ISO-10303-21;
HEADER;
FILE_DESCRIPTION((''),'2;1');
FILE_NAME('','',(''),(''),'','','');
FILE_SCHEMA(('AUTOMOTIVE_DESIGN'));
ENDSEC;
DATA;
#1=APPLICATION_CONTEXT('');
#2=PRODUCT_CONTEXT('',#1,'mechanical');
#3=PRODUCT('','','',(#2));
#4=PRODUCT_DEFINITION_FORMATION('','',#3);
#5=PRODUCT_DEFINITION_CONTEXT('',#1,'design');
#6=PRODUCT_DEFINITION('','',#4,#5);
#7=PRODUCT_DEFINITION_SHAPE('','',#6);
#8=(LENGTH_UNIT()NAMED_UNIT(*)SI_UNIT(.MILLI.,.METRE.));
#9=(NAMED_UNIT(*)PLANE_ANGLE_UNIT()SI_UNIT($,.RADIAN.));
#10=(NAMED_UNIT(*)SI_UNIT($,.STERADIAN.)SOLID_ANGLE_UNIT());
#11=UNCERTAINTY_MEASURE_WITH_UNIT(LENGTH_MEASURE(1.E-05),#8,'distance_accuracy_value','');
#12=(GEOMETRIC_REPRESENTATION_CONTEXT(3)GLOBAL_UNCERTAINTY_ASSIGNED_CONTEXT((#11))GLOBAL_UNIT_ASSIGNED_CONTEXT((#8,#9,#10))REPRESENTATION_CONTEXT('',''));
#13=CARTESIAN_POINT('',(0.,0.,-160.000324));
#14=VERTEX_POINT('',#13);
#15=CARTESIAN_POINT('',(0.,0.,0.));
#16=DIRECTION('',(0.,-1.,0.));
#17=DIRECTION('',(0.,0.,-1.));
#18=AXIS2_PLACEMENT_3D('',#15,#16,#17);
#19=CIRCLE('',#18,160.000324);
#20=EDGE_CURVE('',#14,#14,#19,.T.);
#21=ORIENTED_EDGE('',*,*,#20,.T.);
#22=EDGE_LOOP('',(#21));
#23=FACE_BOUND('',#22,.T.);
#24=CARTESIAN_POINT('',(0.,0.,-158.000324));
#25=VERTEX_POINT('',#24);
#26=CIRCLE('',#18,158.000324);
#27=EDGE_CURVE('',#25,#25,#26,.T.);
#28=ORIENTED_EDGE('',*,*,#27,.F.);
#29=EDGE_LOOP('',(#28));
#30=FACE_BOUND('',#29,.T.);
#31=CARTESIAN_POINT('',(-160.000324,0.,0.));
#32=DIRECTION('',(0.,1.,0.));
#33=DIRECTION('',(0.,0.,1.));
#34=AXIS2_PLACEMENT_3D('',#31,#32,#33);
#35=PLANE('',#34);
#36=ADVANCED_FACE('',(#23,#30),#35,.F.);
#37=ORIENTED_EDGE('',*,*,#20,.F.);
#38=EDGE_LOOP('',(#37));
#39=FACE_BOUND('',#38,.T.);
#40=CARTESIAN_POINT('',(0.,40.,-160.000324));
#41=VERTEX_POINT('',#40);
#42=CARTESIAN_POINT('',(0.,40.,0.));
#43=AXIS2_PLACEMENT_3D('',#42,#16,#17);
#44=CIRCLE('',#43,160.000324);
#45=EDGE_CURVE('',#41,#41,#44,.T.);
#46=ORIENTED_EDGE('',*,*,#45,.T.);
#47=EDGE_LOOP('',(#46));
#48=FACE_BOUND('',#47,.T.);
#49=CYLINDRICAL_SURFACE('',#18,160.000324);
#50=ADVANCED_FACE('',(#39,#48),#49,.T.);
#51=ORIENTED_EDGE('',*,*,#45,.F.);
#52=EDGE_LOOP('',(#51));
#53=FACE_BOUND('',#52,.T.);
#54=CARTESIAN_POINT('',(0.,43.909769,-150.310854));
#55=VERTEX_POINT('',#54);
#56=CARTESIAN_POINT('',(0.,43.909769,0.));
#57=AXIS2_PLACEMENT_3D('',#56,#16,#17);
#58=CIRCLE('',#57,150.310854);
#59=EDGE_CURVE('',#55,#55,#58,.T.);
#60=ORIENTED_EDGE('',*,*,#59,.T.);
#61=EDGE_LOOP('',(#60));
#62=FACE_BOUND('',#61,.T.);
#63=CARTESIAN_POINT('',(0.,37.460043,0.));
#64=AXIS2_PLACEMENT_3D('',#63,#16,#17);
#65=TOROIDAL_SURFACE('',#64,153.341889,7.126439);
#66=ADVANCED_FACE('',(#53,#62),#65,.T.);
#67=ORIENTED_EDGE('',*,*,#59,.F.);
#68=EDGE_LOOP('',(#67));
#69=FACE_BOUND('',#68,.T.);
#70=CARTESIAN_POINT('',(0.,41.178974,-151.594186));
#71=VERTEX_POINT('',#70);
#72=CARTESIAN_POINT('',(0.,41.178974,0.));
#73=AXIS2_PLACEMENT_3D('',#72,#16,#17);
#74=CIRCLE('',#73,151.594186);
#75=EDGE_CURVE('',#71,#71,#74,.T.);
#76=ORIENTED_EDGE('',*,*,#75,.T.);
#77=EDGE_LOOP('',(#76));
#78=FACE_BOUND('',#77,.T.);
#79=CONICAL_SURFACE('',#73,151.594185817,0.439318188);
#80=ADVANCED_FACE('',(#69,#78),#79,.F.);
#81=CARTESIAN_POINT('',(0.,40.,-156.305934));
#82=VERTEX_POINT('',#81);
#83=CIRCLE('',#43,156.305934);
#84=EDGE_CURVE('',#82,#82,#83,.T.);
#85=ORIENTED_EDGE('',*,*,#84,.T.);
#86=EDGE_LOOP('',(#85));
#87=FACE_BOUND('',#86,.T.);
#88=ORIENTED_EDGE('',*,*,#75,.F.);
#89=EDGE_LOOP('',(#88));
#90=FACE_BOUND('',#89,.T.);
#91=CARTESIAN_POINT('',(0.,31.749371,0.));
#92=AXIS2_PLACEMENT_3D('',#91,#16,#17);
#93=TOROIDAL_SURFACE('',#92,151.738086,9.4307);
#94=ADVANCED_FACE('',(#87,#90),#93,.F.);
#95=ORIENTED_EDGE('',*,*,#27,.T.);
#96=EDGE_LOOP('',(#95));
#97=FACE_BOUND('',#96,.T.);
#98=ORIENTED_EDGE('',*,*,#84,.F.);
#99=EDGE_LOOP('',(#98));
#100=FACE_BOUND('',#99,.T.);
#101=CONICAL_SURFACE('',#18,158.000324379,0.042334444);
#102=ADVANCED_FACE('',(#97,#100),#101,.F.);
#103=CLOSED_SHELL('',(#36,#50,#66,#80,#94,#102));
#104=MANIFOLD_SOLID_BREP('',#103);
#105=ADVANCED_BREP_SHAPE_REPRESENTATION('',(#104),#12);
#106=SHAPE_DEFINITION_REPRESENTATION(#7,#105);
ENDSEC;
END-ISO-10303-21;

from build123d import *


with BuildPart() as part:
    # Sketch1 → Revolve1 (revolve)
    with BuildSketch(Plane.XY, mode=Mode.PRIVATE) as revolve1_sk:
        with BuildLine():
            Line((-160.000324379, 0), (-160.000324379, 40))
            ThreePointArc((-160.000324379, 40), (-156.008550409, 44.068753886), (-150.310854254, 43.909769197))
            Line((-150.310854254, 43.909769197), (-151.594185817, 41.178973623))
            ThreePointArc((-151.594185817, 41.178973623), (-154.027261377, 40.898020682), (-156.305934256, 40))
            Line((-156.305934256, 40), (-158.000324379, 0))
            Line((-158.000324379, 0), (-160.000324379, 0))
        make_face()
    revolve(revolve1_sk.sketch.rotate(Axis((0, 0, 0), (0, 1, 0)), 270), axis=Axis((0, 0, 0), (0, 1, 0)))


solid = part.part
